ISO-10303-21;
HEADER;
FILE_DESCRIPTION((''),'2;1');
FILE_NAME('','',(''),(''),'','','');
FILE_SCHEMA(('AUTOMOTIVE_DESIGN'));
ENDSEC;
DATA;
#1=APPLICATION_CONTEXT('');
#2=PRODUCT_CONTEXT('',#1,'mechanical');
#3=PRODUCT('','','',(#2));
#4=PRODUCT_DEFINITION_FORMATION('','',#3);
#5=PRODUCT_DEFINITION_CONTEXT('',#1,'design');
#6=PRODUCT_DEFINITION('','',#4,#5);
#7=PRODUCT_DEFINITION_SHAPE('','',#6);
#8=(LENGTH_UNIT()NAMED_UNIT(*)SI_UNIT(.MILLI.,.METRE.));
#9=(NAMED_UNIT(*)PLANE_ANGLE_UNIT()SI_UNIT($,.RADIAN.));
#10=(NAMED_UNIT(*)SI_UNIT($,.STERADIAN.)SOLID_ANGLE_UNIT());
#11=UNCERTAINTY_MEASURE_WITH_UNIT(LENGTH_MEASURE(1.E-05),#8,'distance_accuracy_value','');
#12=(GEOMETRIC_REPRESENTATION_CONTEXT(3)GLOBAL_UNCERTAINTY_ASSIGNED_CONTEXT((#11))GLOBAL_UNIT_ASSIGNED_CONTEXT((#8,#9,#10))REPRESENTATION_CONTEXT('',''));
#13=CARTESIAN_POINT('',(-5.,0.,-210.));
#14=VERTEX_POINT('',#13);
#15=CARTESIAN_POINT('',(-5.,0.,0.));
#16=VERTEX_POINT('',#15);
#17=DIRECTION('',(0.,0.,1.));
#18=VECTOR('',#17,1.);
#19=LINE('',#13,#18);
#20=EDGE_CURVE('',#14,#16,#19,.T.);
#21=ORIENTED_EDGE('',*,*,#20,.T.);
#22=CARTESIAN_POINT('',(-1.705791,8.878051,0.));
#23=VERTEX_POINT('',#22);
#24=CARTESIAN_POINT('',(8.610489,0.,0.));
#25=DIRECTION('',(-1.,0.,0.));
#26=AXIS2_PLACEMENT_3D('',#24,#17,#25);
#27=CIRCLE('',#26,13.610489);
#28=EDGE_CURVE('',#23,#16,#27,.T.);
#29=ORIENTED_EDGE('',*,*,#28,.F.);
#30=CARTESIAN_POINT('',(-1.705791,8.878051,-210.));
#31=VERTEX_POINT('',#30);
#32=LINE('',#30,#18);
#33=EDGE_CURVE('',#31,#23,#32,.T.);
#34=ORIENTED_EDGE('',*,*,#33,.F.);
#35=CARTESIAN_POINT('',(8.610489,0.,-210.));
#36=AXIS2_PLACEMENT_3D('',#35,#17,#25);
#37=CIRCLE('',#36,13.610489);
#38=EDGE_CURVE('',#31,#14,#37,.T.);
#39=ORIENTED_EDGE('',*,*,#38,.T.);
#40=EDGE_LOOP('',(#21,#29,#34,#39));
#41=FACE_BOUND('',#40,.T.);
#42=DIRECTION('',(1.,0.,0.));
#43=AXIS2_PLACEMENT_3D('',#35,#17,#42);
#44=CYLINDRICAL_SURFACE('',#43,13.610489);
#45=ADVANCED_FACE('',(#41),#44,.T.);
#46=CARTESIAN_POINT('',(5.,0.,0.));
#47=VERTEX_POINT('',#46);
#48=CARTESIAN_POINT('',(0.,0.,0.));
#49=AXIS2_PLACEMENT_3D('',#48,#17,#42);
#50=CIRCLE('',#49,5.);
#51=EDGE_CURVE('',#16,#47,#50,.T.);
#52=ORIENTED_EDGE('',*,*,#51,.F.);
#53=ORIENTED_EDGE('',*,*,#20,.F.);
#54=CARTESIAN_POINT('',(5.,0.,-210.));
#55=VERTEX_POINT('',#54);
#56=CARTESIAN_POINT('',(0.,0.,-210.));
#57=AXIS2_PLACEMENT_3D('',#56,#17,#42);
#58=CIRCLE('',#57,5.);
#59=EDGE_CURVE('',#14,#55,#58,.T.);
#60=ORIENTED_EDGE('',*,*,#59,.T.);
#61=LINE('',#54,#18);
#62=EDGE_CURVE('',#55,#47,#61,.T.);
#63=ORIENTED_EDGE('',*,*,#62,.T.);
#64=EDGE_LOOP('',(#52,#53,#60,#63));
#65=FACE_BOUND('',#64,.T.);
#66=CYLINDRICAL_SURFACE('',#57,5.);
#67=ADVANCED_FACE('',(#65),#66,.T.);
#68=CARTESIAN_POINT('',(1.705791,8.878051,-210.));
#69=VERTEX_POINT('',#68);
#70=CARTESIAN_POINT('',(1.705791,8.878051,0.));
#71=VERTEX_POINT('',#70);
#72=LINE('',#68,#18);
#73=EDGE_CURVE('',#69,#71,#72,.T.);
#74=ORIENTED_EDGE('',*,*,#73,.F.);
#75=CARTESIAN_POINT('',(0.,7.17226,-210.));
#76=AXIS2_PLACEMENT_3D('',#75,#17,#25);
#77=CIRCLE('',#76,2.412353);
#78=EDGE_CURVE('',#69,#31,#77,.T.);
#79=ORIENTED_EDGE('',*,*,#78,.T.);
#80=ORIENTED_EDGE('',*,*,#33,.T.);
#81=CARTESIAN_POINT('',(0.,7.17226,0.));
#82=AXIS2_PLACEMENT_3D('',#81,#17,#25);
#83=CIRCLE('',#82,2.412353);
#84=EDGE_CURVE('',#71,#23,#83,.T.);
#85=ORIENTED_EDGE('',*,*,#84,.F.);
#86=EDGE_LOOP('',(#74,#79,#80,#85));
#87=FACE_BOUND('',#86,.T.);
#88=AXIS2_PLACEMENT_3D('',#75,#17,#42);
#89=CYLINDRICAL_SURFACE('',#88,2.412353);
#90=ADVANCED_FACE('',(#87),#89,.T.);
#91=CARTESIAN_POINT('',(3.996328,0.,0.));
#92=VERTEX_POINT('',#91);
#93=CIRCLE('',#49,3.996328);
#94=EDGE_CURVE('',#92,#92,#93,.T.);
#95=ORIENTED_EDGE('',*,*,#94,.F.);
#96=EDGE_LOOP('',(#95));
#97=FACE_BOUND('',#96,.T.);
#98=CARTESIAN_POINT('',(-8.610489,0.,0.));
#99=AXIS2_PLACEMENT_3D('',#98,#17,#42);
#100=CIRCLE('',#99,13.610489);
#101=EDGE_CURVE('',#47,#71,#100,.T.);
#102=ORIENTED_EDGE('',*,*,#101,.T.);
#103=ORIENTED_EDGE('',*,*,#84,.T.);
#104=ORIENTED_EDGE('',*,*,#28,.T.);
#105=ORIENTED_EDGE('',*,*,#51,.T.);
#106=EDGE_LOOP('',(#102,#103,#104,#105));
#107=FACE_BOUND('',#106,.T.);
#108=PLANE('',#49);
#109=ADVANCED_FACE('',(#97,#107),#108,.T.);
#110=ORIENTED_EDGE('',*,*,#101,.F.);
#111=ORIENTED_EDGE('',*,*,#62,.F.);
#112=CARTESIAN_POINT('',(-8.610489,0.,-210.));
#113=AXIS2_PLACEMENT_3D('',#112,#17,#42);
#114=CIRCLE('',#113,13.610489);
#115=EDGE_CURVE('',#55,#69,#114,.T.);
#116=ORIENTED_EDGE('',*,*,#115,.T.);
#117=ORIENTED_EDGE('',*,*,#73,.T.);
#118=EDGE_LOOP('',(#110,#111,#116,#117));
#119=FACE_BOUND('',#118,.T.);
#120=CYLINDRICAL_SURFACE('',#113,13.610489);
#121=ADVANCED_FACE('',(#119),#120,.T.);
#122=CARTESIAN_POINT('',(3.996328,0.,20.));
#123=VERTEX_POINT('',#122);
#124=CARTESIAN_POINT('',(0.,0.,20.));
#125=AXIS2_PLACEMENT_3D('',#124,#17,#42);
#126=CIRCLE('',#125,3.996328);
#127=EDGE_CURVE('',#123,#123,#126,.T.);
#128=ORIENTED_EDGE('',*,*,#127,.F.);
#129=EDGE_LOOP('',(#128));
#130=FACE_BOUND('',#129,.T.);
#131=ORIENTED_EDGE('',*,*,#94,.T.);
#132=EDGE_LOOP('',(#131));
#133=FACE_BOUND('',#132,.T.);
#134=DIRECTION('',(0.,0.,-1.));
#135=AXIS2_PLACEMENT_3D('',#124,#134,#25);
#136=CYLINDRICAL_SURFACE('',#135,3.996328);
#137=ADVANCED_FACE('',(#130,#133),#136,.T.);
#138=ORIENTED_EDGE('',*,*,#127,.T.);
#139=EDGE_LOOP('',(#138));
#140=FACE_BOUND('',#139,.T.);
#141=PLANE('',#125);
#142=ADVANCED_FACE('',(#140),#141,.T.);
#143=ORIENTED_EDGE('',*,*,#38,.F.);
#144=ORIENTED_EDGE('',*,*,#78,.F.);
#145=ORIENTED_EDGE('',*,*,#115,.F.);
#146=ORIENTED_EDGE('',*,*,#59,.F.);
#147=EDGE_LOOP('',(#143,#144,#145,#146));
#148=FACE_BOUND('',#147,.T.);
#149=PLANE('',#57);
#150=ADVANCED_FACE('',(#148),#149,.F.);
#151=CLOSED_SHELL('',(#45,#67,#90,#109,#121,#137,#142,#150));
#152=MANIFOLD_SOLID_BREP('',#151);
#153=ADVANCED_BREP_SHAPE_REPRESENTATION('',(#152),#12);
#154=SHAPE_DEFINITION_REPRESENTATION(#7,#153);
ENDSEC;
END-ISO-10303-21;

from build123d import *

# Parameters (mm, degrees)
SKETCH1_R           = 5
BOSS_EXTRUDE1_DEPTH = 210
BOSS_EXTRUDE2_DEPTH = 210
SKETCH3_R           = 3.996327594
BOSS_EXTRUDE3_DEPTH = 20


with BuildPart() as part:
    # Sketch1 → Boss-Extrude1 (new body)
    with BuildSketch(Plane.XY):
        Circle(SKETCH1_R)
    extrude(amount=-BOSS_EXTRUDE1_DEPTH)

    # Sketch2 → Boss-Extrude2 (add)
    with BuildSketch(Plane.XY):
        with BuildLine():
            Line((-5, 0), (5, 0))
            ThreePointArc((5, 0), (4.149899422, 4.734754346), (1.70579093, 8.878050545))
            ThreePointArc((1.70579093, 8.878050545), (0, 9.584612283), (-1.70579093, 8.878050545))
            ThreePointArc((-1.70579093, 8.878050545), (-4.149899422, 4.734754346), (-5, 0))
        make_face()
    extrude(amount=-BOSS_EXTRUDE2_DEPTH)

    # Sketch3 → Boss-Extrude3 (add)
    with BuildSketch(Plane.XY):
        Circle(SKETCH3_R)
    extrude(amount=BOSS_EXTRUDE3_DEPTH)


solid = part.part
